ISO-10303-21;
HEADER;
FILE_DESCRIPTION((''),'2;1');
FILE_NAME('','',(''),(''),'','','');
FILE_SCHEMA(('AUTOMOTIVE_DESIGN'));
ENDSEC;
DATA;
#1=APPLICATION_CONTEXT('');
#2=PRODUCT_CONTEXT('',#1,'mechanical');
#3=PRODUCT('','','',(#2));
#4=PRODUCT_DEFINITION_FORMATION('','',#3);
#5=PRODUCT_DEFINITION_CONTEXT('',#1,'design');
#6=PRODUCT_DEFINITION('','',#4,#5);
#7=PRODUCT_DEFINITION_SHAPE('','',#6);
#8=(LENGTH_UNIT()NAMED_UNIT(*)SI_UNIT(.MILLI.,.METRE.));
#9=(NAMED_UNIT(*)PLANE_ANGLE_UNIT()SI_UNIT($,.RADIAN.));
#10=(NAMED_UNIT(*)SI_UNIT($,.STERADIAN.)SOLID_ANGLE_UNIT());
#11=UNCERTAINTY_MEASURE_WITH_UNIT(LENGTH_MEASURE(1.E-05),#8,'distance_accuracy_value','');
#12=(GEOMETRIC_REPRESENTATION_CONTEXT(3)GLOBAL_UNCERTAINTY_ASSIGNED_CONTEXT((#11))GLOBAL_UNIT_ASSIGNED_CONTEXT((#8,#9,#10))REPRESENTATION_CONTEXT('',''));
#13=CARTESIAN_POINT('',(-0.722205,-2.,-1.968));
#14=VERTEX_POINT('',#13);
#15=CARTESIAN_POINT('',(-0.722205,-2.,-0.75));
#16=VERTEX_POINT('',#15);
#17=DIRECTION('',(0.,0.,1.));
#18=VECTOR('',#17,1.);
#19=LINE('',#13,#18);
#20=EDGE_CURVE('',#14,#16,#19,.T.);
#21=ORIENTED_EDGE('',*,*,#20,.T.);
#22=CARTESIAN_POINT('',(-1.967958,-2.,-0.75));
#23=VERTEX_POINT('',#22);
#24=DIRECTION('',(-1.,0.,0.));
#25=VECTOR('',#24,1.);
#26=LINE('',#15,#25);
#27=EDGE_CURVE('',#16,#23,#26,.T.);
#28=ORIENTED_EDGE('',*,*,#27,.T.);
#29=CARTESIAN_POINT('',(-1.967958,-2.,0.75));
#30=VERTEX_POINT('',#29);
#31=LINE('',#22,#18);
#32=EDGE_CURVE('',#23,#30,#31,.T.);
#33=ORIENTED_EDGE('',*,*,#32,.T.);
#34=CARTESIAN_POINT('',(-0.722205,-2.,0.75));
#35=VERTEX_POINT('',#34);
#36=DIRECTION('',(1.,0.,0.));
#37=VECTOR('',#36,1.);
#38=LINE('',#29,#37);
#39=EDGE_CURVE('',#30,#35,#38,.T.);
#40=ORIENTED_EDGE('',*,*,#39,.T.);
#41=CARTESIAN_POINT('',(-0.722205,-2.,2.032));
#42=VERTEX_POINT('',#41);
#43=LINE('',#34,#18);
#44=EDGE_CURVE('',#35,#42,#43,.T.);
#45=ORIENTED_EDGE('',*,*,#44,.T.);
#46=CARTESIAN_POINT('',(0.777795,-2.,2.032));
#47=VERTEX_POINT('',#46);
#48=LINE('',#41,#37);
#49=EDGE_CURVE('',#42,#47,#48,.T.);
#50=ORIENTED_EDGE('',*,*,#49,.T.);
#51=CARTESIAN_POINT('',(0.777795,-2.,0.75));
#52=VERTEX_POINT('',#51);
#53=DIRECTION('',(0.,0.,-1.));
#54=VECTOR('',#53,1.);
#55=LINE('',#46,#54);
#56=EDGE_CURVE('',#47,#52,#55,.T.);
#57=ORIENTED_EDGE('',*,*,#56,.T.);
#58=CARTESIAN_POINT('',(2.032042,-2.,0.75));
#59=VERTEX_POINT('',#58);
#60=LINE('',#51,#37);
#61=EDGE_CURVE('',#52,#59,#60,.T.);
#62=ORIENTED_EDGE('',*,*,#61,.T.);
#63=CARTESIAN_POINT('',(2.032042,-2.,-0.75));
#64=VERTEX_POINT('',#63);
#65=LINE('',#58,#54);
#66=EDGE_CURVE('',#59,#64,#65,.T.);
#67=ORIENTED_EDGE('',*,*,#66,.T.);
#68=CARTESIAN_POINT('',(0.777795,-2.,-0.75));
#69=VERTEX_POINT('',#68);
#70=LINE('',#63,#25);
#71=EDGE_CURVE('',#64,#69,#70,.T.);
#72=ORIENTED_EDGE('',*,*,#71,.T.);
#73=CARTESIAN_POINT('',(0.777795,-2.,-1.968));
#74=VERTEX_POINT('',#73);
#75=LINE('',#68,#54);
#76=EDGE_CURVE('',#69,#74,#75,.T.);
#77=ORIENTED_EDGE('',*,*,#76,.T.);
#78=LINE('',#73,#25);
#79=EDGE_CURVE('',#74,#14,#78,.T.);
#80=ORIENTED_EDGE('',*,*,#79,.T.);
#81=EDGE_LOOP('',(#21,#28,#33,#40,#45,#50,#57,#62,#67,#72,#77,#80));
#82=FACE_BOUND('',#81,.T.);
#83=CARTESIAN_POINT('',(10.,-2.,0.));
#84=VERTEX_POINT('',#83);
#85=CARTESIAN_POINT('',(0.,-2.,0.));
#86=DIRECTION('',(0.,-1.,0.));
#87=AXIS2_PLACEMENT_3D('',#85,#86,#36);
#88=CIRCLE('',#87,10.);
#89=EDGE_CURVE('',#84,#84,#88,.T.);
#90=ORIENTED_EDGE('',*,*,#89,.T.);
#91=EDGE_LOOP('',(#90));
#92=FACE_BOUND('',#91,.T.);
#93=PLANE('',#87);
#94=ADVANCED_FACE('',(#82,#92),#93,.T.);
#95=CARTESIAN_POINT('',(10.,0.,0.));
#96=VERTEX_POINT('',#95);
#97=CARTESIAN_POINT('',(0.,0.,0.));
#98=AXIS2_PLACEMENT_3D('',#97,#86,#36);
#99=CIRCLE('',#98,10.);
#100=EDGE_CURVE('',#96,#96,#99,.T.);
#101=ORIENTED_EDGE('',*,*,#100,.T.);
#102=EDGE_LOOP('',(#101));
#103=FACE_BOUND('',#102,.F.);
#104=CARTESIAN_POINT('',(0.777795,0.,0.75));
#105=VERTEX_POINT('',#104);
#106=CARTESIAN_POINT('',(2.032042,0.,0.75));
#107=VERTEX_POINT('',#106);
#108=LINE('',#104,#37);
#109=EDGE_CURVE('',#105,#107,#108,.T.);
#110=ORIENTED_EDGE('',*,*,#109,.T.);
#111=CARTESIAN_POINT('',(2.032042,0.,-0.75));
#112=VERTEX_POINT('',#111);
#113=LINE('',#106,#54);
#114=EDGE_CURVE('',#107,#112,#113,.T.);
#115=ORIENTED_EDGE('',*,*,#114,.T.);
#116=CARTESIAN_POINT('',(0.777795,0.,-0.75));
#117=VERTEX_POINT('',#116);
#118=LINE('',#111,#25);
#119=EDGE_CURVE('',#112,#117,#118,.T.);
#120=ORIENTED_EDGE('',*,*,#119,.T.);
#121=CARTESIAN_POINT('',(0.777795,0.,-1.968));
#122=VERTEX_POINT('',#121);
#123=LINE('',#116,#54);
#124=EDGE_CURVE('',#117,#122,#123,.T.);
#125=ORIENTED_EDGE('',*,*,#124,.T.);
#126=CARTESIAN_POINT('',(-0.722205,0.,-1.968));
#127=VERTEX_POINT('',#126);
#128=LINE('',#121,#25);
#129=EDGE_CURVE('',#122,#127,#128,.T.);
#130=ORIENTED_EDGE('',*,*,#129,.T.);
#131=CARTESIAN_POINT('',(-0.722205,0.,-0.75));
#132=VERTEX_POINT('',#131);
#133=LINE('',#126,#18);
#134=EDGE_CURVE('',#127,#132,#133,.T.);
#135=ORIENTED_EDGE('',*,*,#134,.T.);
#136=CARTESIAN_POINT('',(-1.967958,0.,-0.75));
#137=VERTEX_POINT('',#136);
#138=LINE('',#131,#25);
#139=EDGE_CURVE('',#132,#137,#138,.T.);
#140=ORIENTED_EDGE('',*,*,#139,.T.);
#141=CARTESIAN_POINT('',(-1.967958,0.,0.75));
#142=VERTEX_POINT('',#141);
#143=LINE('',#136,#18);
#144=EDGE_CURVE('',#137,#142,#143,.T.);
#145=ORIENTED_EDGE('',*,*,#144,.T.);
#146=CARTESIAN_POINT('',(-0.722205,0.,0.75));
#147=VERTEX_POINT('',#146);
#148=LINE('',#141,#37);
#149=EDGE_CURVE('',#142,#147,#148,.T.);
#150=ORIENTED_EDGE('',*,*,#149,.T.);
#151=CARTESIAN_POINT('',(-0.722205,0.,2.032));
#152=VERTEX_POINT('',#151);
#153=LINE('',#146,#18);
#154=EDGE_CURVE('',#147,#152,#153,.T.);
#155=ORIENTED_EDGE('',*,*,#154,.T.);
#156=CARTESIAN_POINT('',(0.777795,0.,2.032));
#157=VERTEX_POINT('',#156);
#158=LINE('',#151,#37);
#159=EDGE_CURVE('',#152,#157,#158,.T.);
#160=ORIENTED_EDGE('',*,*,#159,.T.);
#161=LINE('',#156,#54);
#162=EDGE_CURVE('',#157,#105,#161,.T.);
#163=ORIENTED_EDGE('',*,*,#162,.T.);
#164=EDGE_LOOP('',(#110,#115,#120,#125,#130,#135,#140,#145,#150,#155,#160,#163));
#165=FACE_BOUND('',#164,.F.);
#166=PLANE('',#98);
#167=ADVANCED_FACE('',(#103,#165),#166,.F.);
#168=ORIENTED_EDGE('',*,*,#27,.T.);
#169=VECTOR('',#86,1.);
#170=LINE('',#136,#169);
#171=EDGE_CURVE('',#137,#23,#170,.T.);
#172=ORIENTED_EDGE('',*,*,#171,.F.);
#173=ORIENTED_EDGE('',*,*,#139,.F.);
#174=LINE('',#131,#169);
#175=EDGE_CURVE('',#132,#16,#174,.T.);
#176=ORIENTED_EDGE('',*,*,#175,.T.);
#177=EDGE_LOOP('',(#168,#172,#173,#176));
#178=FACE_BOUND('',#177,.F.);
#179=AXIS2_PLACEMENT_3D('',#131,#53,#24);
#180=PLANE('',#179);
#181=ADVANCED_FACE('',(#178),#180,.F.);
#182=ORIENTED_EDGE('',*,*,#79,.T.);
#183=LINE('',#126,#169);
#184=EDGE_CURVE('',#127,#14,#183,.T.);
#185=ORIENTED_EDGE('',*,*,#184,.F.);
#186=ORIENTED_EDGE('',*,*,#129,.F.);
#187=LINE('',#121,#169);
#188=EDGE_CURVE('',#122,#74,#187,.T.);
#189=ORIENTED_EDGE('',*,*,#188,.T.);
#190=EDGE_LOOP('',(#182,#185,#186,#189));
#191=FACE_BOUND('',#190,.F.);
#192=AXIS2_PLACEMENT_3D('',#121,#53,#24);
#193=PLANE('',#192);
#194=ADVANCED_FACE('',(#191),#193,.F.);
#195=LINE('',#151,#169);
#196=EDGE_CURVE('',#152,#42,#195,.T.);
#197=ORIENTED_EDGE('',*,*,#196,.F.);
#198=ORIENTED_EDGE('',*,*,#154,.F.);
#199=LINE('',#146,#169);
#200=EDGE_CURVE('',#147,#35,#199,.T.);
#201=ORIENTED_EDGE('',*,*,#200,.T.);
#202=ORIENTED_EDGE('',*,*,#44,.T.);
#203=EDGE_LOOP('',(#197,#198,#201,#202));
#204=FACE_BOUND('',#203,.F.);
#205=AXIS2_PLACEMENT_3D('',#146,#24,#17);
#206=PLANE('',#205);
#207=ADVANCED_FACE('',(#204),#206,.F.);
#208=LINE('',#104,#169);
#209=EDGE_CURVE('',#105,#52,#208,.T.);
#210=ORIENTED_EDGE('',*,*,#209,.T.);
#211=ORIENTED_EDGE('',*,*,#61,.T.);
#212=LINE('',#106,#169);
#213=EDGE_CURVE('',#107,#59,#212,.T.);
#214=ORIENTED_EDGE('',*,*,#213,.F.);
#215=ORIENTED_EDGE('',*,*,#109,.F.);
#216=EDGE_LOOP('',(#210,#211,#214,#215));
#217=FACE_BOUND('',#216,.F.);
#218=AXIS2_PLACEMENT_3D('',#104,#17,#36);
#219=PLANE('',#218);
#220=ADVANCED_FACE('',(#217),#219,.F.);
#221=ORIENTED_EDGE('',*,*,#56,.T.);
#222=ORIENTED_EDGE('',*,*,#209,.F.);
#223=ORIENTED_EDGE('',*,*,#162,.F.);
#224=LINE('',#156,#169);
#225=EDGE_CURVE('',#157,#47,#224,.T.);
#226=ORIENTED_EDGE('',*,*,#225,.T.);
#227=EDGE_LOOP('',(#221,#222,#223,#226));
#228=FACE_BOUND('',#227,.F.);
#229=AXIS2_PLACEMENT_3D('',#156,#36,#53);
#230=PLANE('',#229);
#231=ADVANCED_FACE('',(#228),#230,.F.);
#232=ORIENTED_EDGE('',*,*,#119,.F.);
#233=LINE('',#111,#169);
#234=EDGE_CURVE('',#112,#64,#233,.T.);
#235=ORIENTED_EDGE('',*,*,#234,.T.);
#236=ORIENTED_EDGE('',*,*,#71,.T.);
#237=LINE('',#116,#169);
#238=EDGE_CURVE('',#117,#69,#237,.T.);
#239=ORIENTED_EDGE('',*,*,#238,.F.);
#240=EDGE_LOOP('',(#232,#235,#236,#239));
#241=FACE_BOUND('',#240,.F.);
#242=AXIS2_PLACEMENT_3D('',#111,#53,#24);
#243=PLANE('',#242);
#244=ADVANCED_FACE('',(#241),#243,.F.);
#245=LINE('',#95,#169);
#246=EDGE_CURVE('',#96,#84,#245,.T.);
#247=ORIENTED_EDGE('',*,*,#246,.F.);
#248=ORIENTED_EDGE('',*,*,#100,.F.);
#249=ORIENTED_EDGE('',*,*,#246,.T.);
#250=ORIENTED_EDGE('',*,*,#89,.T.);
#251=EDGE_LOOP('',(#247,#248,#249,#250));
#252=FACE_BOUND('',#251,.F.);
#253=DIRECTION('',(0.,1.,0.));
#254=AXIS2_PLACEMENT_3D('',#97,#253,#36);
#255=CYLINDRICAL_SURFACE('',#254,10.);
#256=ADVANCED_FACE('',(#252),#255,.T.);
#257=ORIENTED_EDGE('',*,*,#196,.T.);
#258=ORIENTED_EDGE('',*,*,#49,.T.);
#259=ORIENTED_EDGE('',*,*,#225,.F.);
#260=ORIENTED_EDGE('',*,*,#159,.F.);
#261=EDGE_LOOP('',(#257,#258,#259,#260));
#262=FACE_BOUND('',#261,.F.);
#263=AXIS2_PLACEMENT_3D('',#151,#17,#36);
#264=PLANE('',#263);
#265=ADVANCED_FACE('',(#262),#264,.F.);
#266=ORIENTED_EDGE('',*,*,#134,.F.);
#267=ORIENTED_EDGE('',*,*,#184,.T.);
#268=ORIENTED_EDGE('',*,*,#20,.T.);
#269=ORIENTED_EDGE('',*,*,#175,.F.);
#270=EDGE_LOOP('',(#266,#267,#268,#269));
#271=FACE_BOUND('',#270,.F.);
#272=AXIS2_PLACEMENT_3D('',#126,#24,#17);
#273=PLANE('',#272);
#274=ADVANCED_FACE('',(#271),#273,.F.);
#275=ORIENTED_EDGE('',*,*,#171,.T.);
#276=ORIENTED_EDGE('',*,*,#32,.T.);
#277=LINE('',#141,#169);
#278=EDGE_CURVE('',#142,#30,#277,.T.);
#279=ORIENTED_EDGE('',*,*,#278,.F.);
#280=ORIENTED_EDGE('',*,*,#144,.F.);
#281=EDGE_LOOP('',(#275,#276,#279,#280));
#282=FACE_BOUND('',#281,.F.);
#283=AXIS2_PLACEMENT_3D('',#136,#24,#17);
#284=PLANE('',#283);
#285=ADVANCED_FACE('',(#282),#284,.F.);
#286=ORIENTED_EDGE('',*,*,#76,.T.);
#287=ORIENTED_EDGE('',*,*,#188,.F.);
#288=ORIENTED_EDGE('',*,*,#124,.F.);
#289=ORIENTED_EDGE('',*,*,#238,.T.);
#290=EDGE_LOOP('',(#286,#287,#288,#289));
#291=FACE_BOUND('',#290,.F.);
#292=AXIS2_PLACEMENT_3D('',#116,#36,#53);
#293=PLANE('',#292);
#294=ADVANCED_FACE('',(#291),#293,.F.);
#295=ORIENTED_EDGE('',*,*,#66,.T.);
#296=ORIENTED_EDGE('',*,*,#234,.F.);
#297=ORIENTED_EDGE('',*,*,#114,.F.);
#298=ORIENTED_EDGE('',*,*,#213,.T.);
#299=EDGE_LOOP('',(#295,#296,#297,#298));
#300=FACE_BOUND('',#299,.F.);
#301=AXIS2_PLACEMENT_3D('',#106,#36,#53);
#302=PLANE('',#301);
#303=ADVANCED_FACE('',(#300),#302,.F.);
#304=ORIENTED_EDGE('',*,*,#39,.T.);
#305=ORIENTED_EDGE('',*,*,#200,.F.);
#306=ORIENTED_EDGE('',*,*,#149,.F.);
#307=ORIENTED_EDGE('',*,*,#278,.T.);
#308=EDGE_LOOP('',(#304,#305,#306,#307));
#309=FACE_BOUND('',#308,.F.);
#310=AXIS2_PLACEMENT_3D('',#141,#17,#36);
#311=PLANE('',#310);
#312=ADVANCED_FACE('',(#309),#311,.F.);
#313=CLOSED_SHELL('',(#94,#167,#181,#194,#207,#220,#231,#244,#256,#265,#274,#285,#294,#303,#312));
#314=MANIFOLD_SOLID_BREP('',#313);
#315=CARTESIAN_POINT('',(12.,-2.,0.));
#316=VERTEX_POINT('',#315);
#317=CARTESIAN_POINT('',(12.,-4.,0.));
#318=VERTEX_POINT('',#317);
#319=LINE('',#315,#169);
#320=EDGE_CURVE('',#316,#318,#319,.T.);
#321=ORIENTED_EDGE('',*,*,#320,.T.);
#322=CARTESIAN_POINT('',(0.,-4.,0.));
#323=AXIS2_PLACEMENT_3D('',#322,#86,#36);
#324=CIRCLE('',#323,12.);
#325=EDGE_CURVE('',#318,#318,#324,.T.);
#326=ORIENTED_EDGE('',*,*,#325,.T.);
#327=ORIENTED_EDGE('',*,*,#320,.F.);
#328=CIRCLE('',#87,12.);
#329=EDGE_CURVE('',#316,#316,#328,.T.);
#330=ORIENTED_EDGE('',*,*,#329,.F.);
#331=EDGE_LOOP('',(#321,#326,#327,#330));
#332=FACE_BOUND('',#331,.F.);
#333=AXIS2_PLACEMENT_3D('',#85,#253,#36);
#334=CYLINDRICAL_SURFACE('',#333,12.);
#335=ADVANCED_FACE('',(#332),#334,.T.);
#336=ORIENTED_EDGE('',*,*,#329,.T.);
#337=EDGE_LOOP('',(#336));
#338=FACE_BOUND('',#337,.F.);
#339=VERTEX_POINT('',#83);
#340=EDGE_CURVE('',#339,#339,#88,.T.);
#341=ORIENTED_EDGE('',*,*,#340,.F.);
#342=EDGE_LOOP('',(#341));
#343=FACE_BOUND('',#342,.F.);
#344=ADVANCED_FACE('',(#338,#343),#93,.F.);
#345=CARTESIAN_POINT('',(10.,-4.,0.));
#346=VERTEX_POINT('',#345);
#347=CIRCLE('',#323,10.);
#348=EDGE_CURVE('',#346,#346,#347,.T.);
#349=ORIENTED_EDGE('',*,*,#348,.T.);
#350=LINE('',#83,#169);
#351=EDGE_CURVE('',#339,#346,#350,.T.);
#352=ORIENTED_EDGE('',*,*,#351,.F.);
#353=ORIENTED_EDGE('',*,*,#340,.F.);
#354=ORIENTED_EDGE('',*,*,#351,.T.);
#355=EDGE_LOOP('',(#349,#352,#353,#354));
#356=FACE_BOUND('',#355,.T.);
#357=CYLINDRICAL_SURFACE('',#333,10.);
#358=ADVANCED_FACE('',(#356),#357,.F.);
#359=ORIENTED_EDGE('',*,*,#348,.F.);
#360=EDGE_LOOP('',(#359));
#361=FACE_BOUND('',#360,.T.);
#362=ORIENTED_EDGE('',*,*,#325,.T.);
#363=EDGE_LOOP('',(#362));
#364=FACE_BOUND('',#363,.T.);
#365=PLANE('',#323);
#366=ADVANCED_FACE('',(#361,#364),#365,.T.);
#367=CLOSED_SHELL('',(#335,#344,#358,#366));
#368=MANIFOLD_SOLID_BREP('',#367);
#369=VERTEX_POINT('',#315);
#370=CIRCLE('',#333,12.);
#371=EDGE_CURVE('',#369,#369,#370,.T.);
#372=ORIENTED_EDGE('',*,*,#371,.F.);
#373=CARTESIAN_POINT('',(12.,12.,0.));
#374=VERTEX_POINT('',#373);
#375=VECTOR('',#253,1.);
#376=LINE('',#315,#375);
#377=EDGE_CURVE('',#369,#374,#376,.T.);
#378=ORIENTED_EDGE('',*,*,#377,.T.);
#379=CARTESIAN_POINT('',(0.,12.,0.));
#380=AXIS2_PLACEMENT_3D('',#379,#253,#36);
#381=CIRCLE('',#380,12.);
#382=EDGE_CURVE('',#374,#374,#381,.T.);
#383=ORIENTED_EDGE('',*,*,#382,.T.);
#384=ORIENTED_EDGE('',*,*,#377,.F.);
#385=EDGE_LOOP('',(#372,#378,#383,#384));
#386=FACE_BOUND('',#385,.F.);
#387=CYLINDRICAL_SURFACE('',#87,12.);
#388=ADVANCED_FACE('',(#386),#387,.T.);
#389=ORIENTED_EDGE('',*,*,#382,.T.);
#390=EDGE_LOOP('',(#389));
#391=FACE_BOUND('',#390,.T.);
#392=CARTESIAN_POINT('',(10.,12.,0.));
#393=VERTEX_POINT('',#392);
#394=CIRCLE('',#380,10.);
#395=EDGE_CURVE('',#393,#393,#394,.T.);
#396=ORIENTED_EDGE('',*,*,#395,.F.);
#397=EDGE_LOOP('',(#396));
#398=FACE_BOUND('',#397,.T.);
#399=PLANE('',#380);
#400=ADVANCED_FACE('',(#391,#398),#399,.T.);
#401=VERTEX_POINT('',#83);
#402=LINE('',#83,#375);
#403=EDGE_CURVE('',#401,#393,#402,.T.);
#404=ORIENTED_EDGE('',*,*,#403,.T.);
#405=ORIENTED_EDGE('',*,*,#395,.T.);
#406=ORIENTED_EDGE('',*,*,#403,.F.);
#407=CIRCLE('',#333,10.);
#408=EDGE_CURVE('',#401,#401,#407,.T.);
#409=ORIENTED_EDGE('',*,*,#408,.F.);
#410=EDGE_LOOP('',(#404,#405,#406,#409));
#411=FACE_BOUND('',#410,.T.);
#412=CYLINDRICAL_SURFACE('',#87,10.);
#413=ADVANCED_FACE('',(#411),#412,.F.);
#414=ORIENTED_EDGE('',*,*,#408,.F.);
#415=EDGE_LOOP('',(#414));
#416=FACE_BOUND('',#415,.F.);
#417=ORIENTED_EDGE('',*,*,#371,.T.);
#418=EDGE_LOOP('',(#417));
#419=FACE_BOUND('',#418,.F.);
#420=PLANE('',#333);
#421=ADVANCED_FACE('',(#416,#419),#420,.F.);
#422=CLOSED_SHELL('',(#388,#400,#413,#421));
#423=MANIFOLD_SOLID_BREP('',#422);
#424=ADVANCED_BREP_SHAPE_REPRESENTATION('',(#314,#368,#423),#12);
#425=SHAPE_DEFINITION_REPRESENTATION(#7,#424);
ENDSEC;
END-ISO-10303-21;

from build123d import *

# Parameters (mm, degrees)
F0_R        = 10
F1_DEPTH    = 2
F2_R        = 12
F2_R_2      = 10
F3_DEPTH    = 2
F3_FACE_R   = 12
F3_FACE_R_2 = 10
F4_DEPTH    = 14


with BuildPart() as f1:
    # F0 (on Front) → F1 (new body)
    with BuildSketch(Plane.XZ):
        Circle(F0_R)
        Polygon((-0.722205, 2.032), (0.027795, 2.032), (0.777795, 2.032), (0.777795, 0.75), (2.032042, 0.75), (2.032042, 0), (2.032042, -0.75), (0.777795, -0.75), (0.777795, -1.968), (0.027795, -1.968), (-0.722205, -1.968), (-0.722205, -0.75), (-1.967958, -0.75), (-1.967958, 0), (-1.967958, 0.75), (-0.722205, 0.75), align=None, mode=Mode.SUBTRACT)
    extrude(amount=F1_DEPTH)

    # F2 (on face) → F3 (join)
    with BuildSketch(Plane.XZ.offset(2)):
        Circle(F2_R)
        Circle(F2_R_2, mode=Mode.SUBTRACT)
    extrude(amount=F3_DEPTH)


with BuildPart() as f4:
    # F3_face (on face) → F4 (new body)
    with BuildSketch(Plane(origin=(0, -2, 0), x_dir=(1, 0, 0), z_dir=(0, 1, 0))):
        Circle(F3_FACE_R)
        Circle(F3_FACE_R_2, mode=Mode.SUBTRACT)
    extrude(amount=F4_DEPTH)


solid = Compound([f1.part, f4.part])
